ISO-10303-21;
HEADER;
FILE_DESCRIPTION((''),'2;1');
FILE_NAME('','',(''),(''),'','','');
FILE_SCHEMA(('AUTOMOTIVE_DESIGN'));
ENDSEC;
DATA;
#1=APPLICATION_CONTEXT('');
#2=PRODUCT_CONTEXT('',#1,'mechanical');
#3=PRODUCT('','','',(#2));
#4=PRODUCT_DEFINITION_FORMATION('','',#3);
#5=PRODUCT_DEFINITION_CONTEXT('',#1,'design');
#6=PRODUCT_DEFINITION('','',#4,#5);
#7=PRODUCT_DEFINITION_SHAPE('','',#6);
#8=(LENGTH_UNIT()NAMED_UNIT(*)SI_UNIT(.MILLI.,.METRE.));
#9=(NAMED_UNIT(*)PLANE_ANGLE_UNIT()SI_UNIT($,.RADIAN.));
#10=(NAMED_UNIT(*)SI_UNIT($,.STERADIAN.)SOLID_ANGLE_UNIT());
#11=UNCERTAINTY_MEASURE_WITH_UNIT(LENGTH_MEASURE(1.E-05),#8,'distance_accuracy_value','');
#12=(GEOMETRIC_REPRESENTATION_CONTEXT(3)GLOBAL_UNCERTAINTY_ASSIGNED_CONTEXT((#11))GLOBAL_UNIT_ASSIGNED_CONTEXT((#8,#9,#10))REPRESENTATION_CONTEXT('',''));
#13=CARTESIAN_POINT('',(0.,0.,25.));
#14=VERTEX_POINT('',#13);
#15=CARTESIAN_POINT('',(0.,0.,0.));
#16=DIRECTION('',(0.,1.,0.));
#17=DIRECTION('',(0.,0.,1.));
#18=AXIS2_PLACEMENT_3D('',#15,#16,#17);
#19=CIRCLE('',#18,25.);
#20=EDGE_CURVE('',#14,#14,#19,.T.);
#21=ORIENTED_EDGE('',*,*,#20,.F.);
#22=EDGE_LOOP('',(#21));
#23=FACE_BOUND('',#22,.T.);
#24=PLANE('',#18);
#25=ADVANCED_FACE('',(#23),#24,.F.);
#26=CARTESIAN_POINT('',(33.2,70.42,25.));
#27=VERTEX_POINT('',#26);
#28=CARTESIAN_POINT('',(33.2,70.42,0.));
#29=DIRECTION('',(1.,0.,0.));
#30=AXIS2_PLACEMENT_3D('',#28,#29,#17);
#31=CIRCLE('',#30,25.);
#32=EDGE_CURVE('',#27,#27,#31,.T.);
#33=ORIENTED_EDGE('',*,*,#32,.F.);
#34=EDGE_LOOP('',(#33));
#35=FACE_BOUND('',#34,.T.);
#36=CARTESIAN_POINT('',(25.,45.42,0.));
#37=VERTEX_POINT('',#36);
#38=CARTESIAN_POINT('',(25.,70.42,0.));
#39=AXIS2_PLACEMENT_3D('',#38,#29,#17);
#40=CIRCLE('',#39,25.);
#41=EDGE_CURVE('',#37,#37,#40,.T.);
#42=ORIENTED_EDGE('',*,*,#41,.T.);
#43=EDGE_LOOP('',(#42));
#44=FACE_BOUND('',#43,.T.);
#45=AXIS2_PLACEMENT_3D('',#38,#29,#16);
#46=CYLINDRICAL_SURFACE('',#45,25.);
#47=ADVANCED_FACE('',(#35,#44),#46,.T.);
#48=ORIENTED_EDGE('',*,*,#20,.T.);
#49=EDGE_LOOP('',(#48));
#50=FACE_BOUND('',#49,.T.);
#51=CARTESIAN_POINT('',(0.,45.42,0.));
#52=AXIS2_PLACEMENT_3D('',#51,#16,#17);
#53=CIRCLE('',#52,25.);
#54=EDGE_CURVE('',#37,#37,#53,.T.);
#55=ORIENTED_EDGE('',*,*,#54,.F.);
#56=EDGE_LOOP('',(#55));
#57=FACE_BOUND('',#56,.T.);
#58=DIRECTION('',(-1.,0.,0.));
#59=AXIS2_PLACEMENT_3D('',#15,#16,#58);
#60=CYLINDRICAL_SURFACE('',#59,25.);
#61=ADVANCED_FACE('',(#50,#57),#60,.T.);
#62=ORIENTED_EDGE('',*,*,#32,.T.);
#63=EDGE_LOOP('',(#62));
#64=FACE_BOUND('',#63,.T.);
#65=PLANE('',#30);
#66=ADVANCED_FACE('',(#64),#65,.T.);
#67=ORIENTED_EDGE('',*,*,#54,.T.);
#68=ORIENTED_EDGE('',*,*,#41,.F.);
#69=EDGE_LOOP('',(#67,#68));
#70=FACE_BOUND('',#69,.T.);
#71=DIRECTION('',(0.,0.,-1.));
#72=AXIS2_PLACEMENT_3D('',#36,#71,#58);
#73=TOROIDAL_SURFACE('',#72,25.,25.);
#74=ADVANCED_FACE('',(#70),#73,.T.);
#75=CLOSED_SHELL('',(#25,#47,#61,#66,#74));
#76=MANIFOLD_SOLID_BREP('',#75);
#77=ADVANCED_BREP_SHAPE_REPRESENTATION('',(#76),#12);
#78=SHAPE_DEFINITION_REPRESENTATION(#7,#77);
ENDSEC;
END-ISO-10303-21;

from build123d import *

# Parameters (mm, degrees)
SKETCH5_R = 25


with BuildPart() as part:
    # Sweep2: sweep along a path in Sketch4
    with BuildLine(Plane.XY) as sweep2_path:
        Line((0, 0), (0, 45.42))
        ThreePointArc((0, 45.42), (7.32233047, 63.09766953), (25, 70.42))
        Line((25, 70.42), (33.2, 70.42))
    # Sketch5 → Sweep2 (sweep)
    with BuildSketch(Plane(origin=(0, 0, 0), x_dir=(1, 0, 0), z_dir=(0, 1, 0))):
        Circle(SKETCH5_R)
    sweep(path=sweep2_path.line)


solid = part.part
